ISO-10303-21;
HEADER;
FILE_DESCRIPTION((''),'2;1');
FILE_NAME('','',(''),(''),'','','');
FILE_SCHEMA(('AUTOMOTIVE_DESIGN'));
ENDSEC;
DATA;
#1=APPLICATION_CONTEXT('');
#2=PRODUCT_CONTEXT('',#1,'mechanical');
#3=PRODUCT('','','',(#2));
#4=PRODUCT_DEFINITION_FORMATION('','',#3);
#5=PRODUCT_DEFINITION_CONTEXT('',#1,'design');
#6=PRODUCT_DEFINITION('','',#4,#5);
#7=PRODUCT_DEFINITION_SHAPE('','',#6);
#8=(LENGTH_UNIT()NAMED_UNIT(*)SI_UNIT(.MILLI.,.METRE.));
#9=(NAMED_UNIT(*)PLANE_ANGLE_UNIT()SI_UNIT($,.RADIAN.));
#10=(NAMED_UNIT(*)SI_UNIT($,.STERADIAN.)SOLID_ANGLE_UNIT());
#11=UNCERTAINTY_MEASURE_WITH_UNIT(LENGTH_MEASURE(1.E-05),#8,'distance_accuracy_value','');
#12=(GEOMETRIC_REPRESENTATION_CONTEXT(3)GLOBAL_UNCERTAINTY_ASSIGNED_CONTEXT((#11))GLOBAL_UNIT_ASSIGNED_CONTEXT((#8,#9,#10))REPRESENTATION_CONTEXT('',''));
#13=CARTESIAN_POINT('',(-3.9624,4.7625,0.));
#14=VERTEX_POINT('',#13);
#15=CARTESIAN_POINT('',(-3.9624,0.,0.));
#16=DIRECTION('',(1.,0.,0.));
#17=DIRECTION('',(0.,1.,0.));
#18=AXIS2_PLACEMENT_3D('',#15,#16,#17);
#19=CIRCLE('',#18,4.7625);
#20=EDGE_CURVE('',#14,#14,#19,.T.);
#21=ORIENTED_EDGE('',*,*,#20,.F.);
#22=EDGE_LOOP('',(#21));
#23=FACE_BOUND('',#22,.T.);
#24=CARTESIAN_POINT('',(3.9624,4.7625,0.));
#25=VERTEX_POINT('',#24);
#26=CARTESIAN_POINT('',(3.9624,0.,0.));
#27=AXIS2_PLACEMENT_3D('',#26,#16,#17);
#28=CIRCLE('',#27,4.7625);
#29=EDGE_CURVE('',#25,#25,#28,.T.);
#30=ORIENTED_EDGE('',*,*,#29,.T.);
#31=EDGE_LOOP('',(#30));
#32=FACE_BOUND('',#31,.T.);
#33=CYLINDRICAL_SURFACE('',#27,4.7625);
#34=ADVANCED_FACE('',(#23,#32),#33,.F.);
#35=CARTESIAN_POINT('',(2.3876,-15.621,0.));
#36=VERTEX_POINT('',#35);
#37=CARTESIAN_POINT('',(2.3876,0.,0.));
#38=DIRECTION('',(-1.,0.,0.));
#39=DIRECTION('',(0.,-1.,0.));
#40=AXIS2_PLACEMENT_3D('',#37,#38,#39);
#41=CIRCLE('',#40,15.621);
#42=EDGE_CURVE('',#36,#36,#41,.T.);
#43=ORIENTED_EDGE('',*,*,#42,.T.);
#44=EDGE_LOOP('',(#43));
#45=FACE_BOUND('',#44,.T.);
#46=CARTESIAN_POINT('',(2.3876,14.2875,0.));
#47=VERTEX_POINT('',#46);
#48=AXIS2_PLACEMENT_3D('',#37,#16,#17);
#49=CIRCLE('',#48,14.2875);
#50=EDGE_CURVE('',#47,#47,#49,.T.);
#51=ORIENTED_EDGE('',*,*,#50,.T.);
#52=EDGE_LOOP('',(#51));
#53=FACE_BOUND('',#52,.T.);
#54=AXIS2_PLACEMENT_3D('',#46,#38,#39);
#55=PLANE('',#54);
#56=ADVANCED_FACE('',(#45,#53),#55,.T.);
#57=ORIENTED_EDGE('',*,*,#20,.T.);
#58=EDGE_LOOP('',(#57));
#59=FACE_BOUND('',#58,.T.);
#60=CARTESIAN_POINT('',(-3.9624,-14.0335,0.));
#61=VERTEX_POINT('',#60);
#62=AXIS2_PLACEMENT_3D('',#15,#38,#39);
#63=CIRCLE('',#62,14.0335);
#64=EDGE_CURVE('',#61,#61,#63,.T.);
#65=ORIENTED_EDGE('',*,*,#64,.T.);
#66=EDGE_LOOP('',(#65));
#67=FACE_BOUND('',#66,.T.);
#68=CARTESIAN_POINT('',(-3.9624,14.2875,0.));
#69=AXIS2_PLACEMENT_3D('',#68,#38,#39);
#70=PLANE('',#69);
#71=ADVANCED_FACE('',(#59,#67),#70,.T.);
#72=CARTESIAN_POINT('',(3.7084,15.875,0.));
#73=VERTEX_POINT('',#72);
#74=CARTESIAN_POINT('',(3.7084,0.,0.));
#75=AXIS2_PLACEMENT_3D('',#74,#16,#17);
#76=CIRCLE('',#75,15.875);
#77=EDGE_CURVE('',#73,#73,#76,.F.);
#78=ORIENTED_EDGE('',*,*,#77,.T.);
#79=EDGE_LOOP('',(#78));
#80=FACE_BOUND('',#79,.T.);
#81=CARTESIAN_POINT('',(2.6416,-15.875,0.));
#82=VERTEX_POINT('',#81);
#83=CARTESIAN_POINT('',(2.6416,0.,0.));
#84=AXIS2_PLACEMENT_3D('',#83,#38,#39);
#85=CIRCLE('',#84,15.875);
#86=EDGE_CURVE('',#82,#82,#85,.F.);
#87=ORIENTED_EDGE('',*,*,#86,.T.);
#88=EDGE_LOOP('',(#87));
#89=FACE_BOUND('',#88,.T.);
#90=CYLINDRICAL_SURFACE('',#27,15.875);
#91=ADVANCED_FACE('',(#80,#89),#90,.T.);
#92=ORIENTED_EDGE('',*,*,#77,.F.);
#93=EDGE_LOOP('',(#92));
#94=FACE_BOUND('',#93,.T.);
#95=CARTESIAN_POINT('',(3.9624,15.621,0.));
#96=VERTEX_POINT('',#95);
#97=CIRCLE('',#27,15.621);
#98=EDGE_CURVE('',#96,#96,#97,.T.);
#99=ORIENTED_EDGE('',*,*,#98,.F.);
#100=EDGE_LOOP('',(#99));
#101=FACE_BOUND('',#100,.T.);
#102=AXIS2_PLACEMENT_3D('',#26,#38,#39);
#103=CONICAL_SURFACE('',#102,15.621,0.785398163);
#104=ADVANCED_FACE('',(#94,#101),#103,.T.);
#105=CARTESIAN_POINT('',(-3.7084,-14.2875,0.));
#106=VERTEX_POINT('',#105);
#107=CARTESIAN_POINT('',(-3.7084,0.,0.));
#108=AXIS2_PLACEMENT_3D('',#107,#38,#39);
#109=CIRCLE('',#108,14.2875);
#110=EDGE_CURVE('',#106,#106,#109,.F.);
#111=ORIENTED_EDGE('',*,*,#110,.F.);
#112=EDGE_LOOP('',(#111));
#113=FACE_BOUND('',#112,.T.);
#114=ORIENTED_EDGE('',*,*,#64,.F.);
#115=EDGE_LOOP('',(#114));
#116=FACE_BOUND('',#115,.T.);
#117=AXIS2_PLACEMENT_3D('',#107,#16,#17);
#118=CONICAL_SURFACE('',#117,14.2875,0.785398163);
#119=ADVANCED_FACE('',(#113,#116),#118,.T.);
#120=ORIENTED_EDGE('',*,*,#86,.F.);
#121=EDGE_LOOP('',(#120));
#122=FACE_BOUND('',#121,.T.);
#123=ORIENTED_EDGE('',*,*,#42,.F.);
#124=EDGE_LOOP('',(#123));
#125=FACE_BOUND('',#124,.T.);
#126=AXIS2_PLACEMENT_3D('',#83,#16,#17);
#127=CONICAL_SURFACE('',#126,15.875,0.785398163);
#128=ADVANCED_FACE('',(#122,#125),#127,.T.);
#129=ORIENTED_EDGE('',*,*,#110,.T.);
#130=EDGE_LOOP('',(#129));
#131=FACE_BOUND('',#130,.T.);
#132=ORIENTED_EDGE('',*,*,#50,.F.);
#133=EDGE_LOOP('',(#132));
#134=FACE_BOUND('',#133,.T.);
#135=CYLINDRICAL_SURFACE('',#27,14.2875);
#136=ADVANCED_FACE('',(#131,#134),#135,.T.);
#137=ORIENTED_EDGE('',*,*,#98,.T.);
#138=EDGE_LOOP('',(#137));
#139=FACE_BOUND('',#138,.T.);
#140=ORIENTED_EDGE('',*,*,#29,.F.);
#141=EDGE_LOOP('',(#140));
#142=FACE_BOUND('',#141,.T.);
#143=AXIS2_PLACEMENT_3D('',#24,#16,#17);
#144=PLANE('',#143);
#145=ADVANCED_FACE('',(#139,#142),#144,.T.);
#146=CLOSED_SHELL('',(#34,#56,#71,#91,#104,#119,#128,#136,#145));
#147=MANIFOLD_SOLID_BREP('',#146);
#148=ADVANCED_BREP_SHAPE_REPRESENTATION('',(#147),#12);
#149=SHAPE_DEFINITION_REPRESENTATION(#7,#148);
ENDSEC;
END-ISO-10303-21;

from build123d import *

# Parameters (mm, degrees)
CHAMFER1_SIZE = 0.254


with BuildPart() as part:
    # Sketch1 → Revolve1 (revolve)
    with BuildSketch(Plane.XY):
        Polygon((-3.9624, 14.2875), (2.3876, 14.2875), (2.3876, 15.875), (3.9624, 15.875), (3.9624, 4.7625), (-3.9624, 4.7625), align=None)
    revolve(axis=Axis((3.9624, 0, 0), (-1, 0, 0)))

    # Chamfer1
    chamfer1_edges = [part.edges().sort_by_distance(p)[0] for p in [
        (3.9624, -15.875, 0),
        (2.3876, -15.875, 0),
        (-3.9624, -14.2875, 0),
    ]]
    chamfer(chamfer1_edges, length=CHAMFER1_SIZE)


solid = part.part
